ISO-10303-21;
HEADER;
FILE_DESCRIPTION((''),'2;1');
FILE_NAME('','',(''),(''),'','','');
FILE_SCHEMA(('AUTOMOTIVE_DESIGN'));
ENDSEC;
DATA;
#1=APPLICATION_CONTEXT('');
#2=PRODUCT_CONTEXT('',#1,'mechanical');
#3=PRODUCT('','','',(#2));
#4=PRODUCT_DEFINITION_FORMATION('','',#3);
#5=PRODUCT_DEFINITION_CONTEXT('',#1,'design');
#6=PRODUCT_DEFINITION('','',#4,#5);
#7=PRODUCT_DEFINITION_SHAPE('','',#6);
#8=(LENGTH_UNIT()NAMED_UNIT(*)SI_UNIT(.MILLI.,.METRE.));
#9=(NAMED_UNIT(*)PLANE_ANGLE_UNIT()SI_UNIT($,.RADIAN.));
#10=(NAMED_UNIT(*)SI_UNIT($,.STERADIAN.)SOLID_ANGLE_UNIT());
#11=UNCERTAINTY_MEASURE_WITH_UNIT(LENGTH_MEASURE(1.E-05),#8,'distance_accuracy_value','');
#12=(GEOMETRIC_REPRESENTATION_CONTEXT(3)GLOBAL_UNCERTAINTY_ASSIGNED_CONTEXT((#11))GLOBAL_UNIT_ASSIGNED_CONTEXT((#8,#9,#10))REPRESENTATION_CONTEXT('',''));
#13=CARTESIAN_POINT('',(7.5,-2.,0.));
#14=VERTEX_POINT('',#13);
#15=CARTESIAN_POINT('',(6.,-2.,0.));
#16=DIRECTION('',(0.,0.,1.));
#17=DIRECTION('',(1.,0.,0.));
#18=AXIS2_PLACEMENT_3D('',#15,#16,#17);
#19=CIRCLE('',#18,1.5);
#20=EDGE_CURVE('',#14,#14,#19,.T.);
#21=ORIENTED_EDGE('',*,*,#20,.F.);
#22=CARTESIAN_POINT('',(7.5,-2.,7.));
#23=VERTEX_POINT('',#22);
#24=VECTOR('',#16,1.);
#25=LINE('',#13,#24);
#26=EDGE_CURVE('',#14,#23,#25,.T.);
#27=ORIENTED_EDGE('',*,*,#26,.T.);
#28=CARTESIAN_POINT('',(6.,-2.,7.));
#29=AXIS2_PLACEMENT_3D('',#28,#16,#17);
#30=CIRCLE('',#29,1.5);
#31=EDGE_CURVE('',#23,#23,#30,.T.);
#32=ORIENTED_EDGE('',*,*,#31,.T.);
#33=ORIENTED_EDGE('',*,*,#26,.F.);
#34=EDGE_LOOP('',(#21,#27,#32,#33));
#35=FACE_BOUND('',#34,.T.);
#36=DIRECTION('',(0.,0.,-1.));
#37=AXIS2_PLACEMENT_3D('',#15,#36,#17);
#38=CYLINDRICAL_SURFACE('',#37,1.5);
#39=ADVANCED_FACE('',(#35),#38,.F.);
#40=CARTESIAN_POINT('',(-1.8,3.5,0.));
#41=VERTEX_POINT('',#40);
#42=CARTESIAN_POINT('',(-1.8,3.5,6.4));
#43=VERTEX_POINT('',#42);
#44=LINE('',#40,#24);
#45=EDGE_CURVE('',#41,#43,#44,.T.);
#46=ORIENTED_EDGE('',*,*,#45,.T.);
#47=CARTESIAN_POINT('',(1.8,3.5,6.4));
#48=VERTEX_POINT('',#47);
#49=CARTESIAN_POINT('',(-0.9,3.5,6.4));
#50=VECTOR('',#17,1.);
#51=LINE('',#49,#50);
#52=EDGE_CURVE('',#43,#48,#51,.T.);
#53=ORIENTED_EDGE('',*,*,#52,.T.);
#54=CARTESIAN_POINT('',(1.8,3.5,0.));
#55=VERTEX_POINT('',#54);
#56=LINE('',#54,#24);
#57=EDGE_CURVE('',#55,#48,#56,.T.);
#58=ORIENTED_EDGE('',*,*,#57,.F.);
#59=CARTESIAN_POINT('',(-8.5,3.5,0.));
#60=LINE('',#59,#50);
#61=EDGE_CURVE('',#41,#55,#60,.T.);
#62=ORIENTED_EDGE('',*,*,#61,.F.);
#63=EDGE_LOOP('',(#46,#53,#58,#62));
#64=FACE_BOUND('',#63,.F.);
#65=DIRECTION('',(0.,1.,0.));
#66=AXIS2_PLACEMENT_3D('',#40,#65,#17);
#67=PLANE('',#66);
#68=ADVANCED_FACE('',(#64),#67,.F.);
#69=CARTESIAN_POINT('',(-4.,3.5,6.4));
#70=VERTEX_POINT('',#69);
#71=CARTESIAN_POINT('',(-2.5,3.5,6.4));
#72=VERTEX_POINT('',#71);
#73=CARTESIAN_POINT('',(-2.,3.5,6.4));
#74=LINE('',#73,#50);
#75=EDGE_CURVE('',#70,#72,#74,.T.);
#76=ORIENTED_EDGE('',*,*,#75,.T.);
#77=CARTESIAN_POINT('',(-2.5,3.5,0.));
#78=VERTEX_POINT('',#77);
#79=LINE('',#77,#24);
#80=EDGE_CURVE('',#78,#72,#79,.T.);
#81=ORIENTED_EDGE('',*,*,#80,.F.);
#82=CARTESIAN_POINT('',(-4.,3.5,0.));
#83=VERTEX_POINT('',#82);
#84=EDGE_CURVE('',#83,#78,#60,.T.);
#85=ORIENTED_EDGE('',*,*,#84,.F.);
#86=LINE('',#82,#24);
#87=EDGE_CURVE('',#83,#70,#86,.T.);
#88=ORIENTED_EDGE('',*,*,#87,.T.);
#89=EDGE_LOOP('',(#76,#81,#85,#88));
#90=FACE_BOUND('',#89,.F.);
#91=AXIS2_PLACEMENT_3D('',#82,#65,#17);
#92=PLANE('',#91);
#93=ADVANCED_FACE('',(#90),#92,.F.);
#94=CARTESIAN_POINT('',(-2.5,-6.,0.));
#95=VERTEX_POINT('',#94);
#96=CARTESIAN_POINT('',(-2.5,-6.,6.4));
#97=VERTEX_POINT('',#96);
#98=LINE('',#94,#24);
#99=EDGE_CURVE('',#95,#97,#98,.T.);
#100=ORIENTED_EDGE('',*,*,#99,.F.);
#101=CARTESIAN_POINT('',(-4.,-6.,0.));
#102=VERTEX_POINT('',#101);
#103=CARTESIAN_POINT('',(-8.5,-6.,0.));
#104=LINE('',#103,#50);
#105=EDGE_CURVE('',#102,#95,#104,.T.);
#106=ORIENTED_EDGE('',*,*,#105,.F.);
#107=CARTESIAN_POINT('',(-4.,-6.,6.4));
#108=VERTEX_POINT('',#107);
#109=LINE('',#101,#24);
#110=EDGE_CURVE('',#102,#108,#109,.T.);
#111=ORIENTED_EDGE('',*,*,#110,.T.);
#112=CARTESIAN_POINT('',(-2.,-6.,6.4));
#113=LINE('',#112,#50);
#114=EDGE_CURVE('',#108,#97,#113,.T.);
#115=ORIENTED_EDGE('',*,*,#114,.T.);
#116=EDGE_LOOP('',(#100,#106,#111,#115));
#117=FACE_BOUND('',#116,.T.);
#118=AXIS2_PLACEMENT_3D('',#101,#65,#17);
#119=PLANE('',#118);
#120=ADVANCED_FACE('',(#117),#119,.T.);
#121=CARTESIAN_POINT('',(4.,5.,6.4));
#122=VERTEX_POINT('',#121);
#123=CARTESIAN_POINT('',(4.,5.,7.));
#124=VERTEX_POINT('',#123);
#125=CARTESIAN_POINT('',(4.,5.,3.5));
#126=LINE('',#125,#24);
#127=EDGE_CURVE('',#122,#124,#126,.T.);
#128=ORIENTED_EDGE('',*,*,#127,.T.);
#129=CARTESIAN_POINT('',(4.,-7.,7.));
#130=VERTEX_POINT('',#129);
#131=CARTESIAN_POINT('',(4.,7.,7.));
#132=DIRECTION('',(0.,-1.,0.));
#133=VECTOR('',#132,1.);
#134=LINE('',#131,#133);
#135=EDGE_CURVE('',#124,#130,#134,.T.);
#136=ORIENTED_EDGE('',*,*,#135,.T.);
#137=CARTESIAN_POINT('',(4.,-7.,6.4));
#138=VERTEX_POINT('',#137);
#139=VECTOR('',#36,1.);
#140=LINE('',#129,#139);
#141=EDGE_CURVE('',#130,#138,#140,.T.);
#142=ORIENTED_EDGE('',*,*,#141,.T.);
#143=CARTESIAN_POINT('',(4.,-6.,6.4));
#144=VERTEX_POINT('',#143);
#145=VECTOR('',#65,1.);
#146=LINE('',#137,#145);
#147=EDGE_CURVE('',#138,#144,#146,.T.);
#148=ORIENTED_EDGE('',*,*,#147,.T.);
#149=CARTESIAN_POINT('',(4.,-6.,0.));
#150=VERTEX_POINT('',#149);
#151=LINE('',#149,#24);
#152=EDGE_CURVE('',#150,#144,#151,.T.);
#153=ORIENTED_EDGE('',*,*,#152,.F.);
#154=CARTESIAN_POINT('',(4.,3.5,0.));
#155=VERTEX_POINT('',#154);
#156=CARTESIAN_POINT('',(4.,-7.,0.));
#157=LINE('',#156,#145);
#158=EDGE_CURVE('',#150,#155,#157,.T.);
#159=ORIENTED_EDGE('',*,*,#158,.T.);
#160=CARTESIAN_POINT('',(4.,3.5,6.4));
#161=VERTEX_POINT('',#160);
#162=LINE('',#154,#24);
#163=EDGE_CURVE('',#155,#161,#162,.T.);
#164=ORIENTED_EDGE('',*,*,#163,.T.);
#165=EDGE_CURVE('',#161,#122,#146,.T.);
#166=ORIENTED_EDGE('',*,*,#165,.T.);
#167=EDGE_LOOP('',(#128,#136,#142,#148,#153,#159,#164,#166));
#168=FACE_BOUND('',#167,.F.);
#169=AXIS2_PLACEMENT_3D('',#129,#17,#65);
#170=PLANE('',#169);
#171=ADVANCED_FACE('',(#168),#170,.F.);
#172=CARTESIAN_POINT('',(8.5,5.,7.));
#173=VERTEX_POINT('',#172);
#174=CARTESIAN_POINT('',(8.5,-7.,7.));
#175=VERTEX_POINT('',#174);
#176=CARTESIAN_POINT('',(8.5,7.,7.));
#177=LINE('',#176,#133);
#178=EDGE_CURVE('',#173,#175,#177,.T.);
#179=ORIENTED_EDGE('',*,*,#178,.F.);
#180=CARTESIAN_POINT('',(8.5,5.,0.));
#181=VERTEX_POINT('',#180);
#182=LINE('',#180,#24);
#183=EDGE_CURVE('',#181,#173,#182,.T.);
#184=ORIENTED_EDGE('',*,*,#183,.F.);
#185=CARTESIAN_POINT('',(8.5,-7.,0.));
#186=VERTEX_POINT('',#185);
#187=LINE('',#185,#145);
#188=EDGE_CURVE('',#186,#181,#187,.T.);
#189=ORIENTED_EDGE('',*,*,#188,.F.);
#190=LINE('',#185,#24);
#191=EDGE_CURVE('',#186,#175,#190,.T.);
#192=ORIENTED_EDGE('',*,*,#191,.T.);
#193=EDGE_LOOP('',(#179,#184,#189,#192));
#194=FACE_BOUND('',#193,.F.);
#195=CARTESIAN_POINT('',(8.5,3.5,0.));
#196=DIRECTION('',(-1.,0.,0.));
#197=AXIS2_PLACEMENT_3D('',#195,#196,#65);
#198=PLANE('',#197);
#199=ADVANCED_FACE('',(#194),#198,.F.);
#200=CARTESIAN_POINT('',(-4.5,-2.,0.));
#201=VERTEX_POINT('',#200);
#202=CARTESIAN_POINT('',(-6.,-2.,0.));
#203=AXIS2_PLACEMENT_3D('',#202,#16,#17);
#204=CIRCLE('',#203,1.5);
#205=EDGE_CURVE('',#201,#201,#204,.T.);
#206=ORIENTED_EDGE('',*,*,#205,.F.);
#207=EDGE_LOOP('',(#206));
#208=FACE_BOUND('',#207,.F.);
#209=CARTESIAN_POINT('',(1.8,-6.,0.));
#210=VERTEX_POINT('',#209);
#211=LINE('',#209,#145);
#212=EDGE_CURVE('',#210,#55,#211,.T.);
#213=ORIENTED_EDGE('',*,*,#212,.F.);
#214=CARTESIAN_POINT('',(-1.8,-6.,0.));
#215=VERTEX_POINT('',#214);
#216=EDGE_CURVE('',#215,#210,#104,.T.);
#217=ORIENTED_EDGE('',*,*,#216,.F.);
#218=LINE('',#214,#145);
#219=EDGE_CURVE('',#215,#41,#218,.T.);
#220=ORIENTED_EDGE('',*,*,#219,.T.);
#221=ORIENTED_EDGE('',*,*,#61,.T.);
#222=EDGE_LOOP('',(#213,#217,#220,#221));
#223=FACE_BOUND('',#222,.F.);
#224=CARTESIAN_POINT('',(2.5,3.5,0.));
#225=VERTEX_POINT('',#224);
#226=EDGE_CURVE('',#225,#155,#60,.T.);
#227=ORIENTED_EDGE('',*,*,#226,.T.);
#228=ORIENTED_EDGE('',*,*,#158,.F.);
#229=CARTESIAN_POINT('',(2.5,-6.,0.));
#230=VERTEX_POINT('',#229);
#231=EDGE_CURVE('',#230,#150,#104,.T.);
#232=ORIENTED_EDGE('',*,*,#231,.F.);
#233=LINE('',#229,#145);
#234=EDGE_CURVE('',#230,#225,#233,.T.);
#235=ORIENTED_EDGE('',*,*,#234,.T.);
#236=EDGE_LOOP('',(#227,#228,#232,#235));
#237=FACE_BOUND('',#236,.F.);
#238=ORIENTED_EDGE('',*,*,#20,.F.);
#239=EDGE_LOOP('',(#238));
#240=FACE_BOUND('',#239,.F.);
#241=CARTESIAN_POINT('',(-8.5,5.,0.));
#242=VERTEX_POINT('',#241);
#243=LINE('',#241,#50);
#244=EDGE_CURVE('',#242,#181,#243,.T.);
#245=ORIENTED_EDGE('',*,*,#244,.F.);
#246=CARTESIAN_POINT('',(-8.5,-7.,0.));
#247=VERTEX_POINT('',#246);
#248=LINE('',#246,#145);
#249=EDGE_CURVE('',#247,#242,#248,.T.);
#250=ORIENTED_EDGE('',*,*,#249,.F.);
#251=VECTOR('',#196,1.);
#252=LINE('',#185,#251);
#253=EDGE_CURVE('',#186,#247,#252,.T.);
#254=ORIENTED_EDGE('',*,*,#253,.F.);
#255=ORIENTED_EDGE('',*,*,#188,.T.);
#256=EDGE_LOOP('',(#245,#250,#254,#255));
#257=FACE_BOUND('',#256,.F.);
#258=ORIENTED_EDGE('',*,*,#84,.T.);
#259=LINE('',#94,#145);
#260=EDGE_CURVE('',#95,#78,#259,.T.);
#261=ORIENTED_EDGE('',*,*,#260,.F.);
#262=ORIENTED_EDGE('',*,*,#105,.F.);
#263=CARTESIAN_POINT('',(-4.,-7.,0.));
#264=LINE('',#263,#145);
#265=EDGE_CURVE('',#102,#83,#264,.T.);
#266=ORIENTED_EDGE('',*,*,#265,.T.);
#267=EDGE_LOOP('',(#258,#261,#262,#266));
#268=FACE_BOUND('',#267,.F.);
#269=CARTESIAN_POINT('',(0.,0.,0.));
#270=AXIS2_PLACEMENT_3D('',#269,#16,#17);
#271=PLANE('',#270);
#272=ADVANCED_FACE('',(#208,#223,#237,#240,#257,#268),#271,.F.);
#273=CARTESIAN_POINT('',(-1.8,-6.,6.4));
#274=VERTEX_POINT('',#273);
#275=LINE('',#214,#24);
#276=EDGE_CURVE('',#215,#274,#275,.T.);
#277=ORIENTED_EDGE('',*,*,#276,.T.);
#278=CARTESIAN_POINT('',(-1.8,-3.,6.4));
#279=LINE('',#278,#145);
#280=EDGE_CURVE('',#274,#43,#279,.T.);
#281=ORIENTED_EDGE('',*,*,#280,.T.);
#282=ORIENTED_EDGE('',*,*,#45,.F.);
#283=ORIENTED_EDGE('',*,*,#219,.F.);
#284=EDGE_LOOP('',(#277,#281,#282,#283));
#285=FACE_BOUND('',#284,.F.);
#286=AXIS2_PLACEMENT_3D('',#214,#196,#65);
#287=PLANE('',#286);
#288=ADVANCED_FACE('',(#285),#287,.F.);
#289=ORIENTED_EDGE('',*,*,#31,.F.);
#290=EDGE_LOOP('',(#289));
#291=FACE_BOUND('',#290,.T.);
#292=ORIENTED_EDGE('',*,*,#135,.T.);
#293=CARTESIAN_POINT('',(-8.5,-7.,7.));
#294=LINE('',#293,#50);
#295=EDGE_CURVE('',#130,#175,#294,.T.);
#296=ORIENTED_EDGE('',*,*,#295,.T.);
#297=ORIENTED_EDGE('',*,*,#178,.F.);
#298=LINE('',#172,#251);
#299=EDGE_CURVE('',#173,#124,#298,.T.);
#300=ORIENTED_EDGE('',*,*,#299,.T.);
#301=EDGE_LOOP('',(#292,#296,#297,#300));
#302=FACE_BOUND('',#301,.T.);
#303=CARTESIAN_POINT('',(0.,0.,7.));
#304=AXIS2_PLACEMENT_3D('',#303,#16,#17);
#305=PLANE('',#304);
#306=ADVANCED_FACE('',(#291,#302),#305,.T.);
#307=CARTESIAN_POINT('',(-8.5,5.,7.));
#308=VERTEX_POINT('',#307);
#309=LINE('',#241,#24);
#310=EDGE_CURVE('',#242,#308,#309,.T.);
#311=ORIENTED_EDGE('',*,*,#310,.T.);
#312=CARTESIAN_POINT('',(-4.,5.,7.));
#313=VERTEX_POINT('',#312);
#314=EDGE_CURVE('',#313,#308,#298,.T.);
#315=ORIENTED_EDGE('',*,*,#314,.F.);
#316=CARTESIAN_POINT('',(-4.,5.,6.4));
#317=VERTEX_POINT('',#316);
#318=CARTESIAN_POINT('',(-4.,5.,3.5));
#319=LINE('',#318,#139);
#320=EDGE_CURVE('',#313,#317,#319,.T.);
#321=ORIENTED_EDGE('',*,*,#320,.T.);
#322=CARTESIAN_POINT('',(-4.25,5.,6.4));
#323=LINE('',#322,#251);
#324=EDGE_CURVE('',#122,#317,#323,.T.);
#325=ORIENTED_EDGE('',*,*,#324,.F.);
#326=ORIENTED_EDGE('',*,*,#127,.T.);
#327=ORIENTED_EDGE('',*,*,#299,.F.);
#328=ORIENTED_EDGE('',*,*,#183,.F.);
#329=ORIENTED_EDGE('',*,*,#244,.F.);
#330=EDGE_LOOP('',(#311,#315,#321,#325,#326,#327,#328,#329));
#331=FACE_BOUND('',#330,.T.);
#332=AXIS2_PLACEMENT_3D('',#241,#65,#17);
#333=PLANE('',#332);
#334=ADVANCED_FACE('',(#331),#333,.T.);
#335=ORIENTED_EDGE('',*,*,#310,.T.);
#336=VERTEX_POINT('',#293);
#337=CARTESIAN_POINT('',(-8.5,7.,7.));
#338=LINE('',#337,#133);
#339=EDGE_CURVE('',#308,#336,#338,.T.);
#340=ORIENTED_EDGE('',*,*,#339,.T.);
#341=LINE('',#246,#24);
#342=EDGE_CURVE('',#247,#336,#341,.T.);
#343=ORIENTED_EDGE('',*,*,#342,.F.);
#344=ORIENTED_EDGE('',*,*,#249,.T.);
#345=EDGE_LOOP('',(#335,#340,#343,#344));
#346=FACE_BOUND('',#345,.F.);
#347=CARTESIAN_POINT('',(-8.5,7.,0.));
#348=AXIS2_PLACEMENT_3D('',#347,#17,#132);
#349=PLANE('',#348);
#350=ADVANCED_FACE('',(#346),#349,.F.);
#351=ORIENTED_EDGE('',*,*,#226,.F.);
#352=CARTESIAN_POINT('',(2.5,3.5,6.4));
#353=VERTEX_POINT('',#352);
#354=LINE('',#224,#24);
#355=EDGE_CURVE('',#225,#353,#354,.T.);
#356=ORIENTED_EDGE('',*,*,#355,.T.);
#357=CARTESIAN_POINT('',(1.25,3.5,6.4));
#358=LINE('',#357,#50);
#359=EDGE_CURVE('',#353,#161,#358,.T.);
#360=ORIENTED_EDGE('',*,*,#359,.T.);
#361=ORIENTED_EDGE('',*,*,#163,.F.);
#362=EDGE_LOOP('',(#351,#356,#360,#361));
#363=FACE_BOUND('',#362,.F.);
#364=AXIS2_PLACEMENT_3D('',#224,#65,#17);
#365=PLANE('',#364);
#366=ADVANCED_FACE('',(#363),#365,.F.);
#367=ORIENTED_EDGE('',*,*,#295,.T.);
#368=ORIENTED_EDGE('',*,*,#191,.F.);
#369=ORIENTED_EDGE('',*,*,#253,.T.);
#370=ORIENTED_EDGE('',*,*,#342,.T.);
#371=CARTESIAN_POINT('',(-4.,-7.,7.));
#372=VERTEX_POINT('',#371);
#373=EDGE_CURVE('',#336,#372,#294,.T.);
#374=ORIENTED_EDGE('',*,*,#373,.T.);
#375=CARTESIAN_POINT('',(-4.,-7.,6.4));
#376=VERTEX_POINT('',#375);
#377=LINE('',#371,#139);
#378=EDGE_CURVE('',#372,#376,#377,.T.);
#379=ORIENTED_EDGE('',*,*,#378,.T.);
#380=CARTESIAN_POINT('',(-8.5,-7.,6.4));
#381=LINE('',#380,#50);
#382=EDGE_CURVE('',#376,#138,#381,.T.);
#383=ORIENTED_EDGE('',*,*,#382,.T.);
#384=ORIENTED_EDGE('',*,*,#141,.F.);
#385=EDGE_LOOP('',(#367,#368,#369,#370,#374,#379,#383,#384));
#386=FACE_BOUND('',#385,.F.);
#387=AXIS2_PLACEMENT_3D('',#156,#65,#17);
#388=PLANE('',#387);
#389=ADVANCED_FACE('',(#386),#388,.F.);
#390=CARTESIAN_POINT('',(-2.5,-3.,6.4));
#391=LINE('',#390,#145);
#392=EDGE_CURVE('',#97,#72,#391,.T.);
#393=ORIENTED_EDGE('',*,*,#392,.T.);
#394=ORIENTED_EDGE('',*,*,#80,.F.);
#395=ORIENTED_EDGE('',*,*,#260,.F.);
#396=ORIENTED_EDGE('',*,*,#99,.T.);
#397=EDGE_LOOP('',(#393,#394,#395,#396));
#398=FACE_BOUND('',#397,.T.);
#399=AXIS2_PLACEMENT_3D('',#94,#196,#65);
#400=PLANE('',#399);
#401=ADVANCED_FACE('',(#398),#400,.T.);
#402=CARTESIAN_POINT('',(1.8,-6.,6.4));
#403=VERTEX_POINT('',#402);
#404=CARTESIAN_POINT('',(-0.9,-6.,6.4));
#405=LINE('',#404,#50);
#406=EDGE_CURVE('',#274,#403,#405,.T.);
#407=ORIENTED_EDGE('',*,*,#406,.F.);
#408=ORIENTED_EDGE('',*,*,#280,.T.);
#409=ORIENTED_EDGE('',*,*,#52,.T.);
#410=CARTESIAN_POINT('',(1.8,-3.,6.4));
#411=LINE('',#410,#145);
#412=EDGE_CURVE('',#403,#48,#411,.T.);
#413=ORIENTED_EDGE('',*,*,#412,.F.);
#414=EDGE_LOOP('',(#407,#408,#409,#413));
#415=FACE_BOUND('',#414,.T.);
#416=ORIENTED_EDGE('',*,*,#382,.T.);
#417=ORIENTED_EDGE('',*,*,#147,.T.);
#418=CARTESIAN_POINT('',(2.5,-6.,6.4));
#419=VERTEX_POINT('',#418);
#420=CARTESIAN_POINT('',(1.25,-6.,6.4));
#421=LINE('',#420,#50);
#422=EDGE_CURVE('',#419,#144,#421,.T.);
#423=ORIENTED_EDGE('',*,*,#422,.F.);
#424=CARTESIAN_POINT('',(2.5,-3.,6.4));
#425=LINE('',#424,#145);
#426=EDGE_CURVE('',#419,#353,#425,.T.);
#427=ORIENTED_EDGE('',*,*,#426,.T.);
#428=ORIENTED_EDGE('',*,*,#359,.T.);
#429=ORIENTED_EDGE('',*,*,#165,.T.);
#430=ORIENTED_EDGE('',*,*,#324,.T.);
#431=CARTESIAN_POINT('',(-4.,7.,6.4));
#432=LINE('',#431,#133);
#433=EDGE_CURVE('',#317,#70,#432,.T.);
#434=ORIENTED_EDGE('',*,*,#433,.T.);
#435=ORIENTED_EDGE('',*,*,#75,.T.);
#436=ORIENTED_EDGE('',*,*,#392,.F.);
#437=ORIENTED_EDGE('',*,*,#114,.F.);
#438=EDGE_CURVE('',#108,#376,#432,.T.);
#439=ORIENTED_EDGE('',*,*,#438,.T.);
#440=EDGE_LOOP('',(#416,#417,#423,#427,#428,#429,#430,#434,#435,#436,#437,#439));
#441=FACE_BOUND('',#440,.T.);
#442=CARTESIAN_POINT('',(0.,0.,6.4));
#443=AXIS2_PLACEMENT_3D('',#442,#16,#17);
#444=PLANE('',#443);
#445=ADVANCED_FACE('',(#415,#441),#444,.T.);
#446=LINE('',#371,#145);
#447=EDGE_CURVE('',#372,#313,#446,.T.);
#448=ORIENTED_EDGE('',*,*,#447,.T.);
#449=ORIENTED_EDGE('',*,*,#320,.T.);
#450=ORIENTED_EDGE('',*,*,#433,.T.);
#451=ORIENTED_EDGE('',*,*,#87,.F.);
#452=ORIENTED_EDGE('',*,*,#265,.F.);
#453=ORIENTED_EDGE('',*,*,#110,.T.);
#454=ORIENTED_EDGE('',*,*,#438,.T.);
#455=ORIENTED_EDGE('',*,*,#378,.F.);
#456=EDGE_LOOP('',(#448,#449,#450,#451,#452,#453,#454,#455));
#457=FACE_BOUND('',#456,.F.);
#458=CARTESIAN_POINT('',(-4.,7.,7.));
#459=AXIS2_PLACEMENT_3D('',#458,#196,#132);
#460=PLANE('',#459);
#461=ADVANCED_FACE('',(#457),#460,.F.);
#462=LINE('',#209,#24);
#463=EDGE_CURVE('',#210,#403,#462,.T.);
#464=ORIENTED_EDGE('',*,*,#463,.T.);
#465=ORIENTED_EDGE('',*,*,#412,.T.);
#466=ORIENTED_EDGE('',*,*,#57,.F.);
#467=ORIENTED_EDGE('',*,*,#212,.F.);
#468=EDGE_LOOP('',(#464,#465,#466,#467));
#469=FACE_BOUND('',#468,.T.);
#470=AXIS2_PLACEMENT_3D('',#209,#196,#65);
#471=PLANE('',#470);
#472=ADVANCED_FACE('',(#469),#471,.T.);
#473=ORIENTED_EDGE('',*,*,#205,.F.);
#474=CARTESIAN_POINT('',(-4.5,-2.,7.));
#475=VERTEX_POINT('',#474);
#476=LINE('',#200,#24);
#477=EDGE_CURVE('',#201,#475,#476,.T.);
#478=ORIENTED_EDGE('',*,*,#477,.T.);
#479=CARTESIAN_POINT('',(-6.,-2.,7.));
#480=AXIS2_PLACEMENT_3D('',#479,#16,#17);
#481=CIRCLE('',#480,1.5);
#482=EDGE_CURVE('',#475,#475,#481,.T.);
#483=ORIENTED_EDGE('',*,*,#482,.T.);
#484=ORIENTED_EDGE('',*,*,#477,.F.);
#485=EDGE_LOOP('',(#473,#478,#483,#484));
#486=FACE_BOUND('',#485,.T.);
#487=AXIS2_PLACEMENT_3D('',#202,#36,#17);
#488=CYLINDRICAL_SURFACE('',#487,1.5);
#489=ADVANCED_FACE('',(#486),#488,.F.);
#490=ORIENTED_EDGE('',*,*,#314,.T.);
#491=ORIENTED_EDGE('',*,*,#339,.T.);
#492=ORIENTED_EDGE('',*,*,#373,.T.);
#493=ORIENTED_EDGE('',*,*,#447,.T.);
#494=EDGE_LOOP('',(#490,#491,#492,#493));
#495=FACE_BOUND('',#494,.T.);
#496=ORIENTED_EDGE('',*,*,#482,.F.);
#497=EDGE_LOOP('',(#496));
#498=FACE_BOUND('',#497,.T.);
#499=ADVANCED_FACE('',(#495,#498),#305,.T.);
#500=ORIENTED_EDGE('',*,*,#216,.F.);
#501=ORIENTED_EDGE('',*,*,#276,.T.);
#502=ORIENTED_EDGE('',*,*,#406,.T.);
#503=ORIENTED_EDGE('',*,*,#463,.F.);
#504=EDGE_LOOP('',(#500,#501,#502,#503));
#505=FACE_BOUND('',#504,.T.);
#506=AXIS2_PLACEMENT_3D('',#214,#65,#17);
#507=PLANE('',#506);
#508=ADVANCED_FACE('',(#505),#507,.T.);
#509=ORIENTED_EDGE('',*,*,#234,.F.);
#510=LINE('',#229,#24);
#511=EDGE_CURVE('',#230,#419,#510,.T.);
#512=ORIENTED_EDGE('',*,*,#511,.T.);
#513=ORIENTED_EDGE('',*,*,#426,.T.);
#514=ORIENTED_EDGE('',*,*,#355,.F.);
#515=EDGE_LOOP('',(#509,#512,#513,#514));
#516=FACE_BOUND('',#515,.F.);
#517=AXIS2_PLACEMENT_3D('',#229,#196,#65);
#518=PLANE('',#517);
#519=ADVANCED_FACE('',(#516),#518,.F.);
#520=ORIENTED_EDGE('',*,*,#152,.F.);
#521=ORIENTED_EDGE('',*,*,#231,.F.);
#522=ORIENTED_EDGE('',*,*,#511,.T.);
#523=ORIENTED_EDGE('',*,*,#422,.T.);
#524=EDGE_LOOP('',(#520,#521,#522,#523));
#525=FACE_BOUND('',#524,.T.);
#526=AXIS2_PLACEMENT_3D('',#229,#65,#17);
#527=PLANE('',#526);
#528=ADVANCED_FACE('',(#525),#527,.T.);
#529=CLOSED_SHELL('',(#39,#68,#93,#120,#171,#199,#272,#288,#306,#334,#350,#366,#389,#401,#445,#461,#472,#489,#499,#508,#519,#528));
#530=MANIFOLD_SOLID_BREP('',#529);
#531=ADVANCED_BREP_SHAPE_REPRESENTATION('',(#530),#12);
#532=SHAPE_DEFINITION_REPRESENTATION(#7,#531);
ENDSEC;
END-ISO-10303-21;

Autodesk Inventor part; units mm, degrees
ref_plane "YZ Plane" through (0, 0, 0) normal (1, 0, 0) x (0, 1, 0)
ref_plane "XZ Plane" through (0, 0, 0) normal (0, 1, 0) x (-1, 0, 0)
ref_plane "XY Plane" through (0, 0, 0) normal (0, 0, 1) x (1, 0, 0)
sketch "スケッチ1" plane through (0, 0, 0) normal (0, 0, 1) x (1, 0, 0)
  line L0 (8.5, 7) -> (-8.5, 7)
  line L1 (-8.5, 7) -> (-8.5, -7)
  line L2 (-8.5, -7) -> (8.5, -7)
  line L3 (8.5, -7) -> (8.5, 7)
  line L4 (8.5, 7) -> (-8.5, -7) construction
  line L5 (-8.5, 7) -> (8.5, -7) construction
  circle A0 centre (-6, -2) radius 1.5
  circle A1 centre (6, -2) radius 1.5
  line L6 (-8.5, -6) -> (8.5, -6)
  line L7 (-8.5, 3.5) -> (8.5, 3.5)
  line L8 (-4, -7) -> (-4, 7)
  line L9 (4, -7) -> (4, 7)
  line L10 (2.5, -6) -> (2.5, 3.5)
  line L11 (-2.5, -6) -> (-2.5, 3.5)
  line L12 (1.8, -6) -> (1.8, 3.5)
  line L13 (-1.8, -6) -> (-1.8, 3.5)
  point P0 (0, 0)
  point P1 (-4, -6)
  point P2 (-4, 3.5)
  point P3 (4, -6)
  point P4 (4, 3.5)
  dimension "d0" = 17
  dimension "d1" = 14
  dimension "d2" = 3
  dimension "d3" = 3
  dimension "d4" = 3.5
  dimension "d5" = 4.5
  dimension "d6" = 4.5
  dimension "d7" = 1.5
  dimension "d8" = 1.5
  dimension "d9" = 1
  dimension "d16" = 0.7
  dimension "d17" = 0.7
  dimension "d22" = 5
  dimension "d23" = 5
extrude "押し出し1" add sketch "スケッチ1" along normal blind 7 contours L3 L7 L9 L0 | L9 L7 L8 L0 | L3 L6 L9 L7 | L8 L7 L1 L0 | L3 L2 L9 L6 | L8 L6 L1 L7 | L10 L6 L12 L7 | L9 L2 L8 L6 | L7 L13 L6 L11 | L8 L2 L1 L6
sketch "スケッチ2" plane through (0, 0, 7) normal (0, 0, 1) x (1, 0, 0)
  line L0 (8.5, 7) -> (-8.5, 7) projected
  line L1 (0, 7) -> (-4, 7)
  line L2 (-4, 7) -> (-4, -7)
  line L3 (-8.5, -7) -> (8.5, -7) projected
  line L4 (-4, -7) -> (4, -7)
  line L5 (4, -7) -> (4, 7)
  line L6 (4, 7) -> (0, 7)
  point P0 (0, 0)
  dimension "d12" = 4
  dimension "d13" = 8
extrude "押し出し2" cut sketch "スケッチ2" against normal blind 0.6
sketch "スケッチ3" plane through (-8.5, 7, 0) normal (0, 1, 0) x (1, 0, 0)
  line L0 (0, 0) -> (0, -7) projected
  line L1 (17, 0) -> (17, -7) projected
  line L2 (0, 0) -> (17, 0)
  line L3 (17, 0) -> (17, -7)
  line L4 (17, -7) -> (0, -7)
  line L5 (0, -7) -> (0, 0)
  point P0 (8.5, 0)
  point P1 (0, -7)
extrude "押し出し3" cut sketch "スケッチ3" against normal blind 2
properties part number "greiper_TPU" material "ゴム、シリコーン"
